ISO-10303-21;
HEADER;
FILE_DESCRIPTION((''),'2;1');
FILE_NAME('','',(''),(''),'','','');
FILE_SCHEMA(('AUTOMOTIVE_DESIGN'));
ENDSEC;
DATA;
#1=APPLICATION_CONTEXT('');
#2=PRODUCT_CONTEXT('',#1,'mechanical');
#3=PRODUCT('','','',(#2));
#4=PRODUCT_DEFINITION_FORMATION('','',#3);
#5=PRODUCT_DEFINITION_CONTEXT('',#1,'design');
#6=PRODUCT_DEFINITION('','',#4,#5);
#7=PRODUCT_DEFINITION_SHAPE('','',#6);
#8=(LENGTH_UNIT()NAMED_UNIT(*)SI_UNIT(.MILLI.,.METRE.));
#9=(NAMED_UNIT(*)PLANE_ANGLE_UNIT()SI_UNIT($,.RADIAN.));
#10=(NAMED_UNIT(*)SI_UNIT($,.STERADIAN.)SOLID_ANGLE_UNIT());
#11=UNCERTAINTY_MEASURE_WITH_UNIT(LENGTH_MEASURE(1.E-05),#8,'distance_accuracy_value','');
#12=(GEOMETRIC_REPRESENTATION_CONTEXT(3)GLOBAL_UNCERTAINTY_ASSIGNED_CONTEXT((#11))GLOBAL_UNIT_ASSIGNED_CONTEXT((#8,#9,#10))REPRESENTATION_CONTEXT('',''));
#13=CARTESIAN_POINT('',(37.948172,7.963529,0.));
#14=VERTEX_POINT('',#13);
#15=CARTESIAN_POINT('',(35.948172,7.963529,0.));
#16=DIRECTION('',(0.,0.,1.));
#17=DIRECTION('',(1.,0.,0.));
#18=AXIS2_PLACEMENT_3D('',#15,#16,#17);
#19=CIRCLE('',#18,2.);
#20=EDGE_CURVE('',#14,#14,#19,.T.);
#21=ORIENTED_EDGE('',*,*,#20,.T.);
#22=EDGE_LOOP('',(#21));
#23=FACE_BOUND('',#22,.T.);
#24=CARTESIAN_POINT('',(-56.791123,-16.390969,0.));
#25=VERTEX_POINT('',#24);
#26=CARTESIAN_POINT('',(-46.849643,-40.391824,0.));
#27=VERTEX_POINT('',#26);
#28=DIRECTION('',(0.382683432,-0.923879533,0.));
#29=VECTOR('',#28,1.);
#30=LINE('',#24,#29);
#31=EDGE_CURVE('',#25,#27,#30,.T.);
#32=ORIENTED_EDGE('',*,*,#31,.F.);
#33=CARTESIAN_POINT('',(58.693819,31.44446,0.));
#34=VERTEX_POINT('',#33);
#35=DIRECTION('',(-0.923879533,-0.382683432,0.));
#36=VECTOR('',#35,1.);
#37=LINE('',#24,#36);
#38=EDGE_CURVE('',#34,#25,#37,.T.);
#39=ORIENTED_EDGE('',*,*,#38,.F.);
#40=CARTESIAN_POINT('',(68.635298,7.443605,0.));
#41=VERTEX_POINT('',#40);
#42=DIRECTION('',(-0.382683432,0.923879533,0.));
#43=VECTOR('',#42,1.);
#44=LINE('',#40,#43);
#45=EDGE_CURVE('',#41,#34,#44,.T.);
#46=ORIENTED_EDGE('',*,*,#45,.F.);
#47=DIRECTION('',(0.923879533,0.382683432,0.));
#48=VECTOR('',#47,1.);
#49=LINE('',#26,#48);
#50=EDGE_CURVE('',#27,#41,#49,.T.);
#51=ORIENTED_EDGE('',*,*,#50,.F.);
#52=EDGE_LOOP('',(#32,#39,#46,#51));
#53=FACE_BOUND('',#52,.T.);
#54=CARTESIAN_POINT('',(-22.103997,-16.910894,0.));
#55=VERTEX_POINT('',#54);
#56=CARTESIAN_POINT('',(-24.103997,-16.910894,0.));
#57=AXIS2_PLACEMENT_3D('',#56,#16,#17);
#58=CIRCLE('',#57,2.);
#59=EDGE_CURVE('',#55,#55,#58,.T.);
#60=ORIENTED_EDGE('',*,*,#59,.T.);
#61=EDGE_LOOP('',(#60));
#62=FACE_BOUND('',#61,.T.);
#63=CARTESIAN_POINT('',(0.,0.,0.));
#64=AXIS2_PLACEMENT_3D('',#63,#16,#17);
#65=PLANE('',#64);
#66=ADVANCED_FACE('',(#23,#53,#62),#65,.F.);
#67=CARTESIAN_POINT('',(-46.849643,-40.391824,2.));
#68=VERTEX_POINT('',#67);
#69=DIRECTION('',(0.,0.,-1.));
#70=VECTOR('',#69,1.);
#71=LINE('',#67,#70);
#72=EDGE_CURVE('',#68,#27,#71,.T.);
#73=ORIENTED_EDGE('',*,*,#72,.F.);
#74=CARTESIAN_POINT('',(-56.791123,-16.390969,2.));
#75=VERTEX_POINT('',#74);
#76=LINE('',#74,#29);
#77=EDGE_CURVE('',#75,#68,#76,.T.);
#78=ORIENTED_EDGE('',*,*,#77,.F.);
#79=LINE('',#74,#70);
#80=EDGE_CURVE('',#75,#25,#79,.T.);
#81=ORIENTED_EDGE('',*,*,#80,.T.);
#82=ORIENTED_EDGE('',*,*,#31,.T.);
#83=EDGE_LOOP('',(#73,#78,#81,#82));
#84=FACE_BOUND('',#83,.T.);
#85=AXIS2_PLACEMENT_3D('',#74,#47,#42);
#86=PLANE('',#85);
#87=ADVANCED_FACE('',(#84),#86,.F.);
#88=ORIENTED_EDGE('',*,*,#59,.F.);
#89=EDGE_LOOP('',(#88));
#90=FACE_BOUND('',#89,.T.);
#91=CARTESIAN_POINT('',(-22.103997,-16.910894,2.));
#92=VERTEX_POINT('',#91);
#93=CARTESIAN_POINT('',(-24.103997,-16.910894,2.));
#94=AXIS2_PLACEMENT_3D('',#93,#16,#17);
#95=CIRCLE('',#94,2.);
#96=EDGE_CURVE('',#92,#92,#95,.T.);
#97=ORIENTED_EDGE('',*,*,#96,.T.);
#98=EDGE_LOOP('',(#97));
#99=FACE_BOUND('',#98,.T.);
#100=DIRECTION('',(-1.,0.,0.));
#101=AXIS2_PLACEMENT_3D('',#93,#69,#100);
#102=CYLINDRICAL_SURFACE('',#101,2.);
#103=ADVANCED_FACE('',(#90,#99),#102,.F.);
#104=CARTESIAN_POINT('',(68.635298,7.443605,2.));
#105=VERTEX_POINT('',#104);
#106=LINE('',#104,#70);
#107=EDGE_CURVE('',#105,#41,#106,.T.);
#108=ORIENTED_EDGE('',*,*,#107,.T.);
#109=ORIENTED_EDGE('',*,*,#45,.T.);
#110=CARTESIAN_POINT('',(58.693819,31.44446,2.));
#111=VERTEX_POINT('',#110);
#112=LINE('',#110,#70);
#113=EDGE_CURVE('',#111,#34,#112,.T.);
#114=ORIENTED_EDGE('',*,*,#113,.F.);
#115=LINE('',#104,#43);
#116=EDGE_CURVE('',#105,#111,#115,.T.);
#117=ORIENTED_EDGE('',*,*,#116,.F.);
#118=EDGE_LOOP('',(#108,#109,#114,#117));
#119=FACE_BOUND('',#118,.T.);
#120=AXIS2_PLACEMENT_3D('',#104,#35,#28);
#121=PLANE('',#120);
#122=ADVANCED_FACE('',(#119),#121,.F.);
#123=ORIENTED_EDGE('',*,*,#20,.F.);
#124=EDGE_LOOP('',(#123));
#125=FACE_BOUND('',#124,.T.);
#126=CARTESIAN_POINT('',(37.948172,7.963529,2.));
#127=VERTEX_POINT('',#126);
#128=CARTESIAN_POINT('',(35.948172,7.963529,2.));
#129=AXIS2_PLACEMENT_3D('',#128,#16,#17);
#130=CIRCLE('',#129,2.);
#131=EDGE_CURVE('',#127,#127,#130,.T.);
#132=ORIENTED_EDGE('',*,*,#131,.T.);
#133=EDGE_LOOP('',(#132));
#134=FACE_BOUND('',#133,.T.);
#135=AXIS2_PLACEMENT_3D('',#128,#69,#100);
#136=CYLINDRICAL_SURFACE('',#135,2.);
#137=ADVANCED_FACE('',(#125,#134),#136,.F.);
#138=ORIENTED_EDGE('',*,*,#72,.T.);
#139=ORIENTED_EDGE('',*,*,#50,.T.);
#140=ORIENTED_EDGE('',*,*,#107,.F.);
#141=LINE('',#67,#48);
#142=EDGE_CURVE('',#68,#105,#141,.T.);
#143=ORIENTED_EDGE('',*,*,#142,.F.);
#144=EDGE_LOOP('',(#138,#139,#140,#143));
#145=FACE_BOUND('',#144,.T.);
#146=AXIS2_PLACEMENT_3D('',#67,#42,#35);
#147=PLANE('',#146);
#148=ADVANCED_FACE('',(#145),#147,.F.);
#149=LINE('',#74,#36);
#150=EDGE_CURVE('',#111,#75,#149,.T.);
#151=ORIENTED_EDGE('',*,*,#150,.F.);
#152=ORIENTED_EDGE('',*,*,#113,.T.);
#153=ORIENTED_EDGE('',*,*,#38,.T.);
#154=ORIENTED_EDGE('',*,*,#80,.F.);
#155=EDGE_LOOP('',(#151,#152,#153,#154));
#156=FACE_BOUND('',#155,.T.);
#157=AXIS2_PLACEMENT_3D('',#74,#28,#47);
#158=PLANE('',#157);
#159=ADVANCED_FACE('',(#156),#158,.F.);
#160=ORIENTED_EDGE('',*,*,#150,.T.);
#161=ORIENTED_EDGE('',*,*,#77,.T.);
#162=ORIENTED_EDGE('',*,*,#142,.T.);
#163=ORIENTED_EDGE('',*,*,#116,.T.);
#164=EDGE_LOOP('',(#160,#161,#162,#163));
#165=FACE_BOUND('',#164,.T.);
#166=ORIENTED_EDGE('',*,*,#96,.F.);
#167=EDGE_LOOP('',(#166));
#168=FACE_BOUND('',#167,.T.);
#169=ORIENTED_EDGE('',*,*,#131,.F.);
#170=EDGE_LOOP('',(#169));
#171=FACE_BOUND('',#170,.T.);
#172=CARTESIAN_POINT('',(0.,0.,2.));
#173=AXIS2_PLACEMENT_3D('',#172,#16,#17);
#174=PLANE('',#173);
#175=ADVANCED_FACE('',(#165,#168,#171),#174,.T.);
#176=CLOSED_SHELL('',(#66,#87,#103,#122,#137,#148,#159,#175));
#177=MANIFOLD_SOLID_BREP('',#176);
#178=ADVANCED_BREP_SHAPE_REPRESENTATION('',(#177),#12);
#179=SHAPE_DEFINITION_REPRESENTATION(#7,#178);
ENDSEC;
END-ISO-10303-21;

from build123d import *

# Parameters (mm, degrees)
SKETCH1_R           = 2
BOSS_EXTRUDE1_DEPTH = 2


with BuildPart() as part:
    # Sketch1 → Boss-Extrude1 (new body)
    with BuildSketch(Plane.XY):
        Polygon((-56.791123045, -16.390968889), (-46.849643213, -40.39182433), (68.635298351, 7.443604716), (58.693818519, 31.444460156), align=None)
        with Locations((-24.103997154, -16.910893639)):
            Circle(SKETCH1_R, mode=Mode.SUBTRACT)
        with Locations((35.94817246, 7.963529465)):
            Circle(SKETCH1_R, mode=Mode.SUBTRACT)
    extrude(amount=BOSS_EXTRUDE1_DEPTH)


solid = part.part
